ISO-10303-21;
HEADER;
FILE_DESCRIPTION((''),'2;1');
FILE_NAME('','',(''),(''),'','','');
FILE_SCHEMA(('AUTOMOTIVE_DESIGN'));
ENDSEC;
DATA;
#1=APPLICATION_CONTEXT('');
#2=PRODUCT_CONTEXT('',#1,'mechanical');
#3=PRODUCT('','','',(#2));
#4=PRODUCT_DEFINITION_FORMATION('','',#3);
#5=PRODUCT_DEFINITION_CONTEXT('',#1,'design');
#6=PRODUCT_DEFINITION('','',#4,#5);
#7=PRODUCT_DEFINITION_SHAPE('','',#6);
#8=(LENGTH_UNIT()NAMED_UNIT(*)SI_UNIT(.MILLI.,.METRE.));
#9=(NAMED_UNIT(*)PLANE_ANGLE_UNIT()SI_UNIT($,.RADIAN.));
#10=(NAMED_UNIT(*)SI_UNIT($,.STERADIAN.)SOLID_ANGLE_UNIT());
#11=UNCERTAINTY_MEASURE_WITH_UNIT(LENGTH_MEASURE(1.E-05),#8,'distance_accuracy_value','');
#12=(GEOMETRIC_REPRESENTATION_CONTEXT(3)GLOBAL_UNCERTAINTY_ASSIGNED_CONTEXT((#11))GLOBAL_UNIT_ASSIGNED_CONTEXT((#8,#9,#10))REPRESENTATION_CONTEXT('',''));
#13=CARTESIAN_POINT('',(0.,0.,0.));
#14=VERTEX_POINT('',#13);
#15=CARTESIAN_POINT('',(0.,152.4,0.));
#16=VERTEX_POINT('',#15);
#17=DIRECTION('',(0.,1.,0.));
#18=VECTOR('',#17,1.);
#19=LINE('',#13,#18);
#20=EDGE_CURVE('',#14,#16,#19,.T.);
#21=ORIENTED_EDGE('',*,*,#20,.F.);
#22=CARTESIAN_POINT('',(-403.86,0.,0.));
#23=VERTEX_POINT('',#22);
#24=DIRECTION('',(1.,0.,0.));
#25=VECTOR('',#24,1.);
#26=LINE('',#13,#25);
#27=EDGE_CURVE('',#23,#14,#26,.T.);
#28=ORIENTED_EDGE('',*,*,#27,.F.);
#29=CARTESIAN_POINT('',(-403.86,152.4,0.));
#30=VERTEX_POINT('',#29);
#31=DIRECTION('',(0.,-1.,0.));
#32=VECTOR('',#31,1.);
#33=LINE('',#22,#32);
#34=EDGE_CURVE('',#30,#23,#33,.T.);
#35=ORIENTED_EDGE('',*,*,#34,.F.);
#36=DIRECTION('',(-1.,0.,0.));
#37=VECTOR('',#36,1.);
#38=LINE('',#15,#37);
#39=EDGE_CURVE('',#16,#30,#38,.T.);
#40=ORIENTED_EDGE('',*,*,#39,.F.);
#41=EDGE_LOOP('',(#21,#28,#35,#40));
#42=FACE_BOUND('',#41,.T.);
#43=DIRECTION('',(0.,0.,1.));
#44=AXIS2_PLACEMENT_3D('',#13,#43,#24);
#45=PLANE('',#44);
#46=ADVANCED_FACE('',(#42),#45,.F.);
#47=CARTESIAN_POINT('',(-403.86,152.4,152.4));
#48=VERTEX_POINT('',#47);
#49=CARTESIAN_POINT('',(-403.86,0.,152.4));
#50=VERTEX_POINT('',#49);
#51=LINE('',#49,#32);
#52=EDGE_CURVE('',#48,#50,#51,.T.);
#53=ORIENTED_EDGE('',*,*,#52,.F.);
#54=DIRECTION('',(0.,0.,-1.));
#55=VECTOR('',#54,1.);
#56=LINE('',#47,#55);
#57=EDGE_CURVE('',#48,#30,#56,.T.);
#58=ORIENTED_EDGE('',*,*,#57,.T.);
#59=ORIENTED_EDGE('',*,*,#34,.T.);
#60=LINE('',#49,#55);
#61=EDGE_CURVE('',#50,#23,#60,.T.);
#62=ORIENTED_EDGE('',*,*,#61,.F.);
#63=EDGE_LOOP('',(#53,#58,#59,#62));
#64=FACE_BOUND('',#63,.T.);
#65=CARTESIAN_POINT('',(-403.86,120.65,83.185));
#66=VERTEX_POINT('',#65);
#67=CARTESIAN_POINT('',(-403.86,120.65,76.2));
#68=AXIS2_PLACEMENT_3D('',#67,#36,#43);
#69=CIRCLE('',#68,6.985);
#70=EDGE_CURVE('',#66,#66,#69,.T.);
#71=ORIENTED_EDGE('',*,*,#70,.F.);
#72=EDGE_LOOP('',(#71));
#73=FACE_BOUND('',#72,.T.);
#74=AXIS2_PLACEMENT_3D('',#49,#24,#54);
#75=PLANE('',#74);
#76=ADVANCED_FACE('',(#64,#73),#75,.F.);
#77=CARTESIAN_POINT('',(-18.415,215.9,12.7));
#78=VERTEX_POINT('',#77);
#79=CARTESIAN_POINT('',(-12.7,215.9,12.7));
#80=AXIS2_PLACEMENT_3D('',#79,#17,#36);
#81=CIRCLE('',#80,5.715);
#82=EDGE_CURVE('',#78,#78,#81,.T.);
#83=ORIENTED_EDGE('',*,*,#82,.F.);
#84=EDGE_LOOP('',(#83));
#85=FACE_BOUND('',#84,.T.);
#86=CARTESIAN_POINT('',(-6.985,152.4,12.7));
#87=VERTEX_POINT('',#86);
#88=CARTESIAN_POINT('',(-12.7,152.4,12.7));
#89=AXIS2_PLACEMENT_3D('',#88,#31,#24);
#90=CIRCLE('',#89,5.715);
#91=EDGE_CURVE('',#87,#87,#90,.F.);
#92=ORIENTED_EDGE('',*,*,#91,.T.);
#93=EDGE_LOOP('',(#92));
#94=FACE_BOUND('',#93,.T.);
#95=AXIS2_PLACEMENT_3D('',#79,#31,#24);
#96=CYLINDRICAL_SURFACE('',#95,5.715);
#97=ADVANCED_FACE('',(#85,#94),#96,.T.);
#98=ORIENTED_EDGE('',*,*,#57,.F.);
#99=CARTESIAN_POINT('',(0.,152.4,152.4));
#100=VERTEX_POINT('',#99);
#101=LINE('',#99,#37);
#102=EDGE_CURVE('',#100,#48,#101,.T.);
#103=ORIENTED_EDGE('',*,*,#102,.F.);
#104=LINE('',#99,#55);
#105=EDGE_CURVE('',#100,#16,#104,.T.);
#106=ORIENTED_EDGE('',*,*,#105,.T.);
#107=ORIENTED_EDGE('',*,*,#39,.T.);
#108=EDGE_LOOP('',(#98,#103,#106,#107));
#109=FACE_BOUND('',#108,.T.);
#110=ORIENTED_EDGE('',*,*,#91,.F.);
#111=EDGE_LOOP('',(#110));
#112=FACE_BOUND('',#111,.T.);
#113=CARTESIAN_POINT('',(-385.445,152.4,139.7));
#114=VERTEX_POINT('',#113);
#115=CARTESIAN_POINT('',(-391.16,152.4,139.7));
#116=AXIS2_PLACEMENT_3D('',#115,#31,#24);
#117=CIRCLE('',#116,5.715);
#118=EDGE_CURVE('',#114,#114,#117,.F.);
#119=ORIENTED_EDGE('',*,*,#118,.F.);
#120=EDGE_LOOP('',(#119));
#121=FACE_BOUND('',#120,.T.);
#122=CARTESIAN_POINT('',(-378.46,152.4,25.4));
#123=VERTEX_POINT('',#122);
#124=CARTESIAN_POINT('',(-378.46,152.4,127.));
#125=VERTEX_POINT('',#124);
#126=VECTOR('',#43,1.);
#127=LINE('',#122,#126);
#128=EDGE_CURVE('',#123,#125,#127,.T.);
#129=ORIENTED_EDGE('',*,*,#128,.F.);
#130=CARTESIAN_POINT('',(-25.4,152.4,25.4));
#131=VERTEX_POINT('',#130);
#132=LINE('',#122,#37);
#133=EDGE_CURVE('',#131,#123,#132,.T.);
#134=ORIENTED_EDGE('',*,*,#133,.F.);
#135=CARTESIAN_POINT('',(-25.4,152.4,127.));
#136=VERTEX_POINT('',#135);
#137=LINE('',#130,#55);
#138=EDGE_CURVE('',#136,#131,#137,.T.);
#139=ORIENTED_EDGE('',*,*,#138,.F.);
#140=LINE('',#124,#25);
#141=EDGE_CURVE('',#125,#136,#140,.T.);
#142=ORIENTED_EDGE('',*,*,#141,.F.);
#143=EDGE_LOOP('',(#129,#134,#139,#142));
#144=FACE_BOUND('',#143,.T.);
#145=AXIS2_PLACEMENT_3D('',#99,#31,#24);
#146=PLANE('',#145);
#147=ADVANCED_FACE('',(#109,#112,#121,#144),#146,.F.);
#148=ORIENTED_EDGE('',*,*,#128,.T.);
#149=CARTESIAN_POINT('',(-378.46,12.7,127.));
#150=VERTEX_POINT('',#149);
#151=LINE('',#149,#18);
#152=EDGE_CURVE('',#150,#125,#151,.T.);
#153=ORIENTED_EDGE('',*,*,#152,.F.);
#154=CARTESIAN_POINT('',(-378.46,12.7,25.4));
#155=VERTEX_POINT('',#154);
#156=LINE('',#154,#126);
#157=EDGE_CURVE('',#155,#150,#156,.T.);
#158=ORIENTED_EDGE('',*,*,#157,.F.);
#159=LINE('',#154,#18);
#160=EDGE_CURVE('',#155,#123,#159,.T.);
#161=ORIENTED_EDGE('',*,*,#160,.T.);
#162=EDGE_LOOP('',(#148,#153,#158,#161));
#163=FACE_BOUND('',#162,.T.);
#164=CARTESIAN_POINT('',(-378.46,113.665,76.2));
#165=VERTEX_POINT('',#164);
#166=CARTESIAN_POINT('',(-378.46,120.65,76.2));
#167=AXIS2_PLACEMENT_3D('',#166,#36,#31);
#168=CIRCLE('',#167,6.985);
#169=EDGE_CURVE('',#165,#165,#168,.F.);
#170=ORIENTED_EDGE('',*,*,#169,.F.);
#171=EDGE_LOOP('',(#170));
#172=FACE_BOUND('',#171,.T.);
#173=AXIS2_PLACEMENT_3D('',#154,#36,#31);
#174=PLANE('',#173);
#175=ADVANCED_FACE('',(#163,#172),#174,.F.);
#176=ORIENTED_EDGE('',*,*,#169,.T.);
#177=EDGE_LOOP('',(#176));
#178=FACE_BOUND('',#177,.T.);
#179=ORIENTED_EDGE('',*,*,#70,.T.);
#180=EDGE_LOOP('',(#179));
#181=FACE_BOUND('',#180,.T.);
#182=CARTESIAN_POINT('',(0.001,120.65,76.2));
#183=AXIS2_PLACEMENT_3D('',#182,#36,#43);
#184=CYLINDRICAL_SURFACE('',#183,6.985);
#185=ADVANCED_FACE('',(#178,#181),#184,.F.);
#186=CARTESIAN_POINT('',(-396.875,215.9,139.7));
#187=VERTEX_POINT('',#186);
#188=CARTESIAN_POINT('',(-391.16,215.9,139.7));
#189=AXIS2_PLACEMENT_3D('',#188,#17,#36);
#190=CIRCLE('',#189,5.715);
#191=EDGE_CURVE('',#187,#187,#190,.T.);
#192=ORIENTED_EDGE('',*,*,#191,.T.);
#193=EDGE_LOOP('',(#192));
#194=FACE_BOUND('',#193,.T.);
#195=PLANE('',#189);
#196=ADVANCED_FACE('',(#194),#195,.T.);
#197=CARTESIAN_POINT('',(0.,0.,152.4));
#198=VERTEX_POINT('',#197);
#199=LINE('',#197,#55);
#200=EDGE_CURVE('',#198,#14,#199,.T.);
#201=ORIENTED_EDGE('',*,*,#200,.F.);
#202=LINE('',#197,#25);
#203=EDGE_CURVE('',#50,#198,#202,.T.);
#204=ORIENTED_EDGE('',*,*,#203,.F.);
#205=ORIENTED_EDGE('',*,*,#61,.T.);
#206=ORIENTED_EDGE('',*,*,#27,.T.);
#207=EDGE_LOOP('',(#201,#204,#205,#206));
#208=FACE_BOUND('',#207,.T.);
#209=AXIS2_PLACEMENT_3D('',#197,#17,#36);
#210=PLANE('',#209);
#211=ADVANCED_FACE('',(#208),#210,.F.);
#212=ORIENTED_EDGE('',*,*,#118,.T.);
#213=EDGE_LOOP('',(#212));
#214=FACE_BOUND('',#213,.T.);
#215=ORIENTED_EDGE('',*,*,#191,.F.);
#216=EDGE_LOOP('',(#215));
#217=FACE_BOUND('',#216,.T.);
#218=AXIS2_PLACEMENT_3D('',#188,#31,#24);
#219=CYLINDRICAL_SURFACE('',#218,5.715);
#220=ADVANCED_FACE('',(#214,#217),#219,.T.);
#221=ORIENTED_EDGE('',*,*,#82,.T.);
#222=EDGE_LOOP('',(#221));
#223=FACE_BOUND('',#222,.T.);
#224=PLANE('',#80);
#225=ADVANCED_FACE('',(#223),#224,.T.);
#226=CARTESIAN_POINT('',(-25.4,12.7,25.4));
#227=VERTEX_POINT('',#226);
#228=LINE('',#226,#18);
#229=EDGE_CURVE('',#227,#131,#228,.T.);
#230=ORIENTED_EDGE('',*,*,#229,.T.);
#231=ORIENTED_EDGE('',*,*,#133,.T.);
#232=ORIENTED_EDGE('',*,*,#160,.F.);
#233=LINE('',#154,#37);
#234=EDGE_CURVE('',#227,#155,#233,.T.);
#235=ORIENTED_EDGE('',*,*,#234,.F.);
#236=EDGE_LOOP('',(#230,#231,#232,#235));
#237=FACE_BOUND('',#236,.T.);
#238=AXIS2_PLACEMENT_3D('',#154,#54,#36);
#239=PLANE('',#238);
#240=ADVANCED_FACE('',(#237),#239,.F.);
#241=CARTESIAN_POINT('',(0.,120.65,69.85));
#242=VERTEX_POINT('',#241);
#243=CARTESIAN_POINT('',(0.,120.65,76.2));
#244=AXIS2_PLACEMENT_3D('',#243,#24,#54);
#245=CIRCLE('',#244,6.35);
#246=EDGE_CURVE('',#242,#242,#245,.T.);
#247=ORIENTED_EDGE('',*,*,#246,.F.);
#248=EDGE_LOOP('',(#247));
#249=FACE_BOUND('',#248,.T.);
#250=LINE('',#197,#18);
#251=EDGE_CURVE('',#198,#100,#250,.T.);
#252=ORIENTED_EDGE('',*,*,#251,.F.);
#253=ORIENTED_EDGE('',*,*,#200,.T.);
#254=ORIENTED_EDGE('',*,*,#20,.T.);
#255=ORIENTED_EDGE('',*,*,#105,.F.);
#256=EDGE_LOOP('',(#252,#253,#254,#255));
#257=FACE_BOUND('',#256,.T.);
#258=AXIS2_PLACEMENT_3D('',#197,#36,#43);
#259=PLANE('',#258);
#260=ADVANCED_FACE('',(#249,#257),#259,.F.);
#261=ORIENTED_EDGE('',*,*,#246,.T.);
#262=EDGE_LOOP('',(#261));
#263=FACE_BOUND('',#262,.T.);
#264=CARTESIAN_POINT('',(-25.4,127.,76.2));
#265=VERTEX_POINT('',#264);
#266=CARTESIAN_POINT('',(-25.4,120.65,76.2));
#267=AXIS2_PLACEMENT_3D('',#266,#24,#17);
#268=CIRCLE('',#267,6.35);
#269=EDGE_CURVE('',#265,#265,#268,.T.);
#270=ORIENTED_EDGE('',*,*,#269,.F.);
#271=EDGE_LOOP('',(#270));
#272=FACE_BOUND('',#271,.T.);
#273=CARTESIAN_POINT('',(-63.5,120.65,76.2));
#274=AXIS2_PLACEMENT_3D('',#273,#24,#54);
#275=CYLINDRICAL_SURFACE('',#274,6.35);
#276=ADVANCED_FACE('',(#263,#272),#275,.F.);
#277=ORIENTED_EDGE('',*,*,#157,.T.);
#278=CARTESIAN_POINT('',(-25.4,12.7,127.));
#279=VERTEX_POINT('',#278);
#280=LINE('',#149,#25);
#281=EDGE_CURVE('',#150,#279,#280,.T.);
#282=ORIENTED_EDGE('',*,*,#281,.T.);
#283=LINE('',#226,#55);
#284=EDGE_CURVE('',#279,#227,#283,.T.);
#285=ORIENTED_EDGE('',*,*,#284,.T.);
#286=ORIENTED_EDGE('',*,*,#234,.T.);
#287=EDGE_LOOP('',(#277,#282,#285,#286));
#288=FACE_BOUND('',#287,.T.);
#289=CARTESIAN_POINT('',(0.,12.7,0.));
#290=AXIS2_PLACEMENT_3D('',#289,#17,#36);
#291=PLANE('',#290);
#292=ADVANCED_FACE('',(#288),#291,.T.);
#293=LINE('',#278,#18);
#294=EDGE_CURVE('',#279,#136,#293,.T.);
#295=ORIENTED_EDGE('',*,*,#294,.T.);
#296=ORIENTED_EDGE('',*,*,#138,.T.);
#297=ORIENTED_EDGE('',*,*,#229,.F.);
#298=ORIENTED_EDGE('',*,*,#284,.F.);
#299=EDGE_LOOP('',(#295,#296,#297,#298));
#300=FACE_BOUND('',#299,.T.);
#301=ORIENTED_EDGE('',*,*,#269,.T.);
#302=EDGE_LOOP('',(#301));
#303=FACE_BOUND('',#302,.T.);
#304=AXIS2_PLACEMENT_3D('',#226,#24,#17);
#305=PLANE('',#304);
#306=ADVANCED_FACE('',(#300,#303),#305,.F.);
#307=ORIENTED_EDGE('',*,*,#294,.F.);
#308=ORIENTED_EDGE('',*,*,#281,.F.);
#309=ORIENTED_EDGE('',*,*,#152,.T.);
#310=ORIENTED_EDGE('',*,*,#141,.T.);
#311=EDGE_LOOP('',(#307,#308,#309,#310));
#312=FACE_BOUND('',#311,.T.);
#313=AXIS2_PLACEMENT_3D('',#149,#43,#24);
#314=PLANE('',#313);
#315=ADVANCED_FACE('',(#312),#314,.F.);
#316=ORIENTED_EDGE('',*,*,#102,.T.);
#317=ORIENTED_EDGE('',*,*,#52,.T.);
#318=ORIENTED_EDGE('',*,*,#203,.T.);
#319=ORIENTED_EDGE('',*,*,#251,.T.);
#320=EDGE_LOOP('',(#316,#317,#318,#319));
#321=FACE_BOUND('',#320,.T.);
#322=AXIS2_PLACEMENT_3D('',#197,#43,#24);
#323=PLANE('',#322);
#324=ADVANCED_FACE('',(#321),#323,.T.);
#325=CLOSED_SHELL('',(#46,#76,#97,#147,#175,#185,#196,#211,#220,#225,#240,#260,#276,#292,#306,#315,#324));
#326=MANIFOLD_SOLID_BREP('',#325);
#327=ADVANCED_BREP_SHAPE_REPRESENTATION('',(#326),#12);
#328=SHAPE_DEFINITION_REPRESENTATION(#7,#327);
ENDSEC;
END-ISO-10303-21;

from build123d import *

# Parameters (mm, degrees)
SKETCH1_W           = 403.86
SKETCH1_H           = 152.4
BOSS_EXTRUDE1_DEPTH = 152.4
SKETCH3_W           = 353.06
SKETCH3_H           = 101.6
CUT_EXTRUDE1_DEPTH  = 139.7
SKETCH4_R           = 5.715
BOSS_EXTRUDE2_DEPTH = 63.5
SKETCH5_R           = 6.35
CUT_EXTRUDE2_DEPTH  = 63.5
CUT_EXTRUDE3_REACH  = 405.86
SKETCH6_R           = 6.985
SKETCH7_R           = 5.715
BOSS_EXTRUDE3_DEPTH = 63.5


with BuildPart() as part:
    # Sketch1 → Boss-Extrude1 (new body)
    with BuildSketch(Plane.XY):
        with Locations((-201.93, 76.2)):
            Rectangle(SKETCH1_W, SKETCH1_H)
    extrude(amount=BOSS_EXTRUDE1_DEPTH)

    # Sketch3 → Cut-Extrude1 (cut)
    with BuildSketch(Plane(origin=(0, 152.4, 0), x_dir=(1, 0, 0), z_dir=(0, 1, 0))):
        with Locations((-201.93, -76.2)):
            Rectangle(SKETCH3_W, SKETCH3_H)
    extrude(amount=-CUT_EXTRUDE1_DEPTH, mode=Mode.SUBTRACT)

    # Sketch4 → Boss-Extrude2 (add)
    with BuildSketch(Plane(origin=(0, 152.4, 0), x_dir=(1, 0, 0), z_dir=(0, 1, 0))):
        with Locations((-391.16, -139.7)):
            Circle(SKETCH4_R)
    extrude(amount=BOSS_EXTRUDE2_DEPTH)

    # Sketch5 → Cut-Extrude2 (cut)
    with BuildSketch(Plane(origin=(0, 0, 0), x_dir=(0, 0, -1), z_dir=(1, 0, 0))):
        with Locations((-76.2, 120.65)):
            Circle(SKETCH5_R)
    extrude(amount=-CUT_EXTRUDE2_DEPTH, mode=Mode.SUBTRACT)

    # Sketch6 → Cut-Extrude3 (cut, up to next)
    with BuildSketch(Plane.ZY.offset(403.86), mode=Mode.PRIVATE) as cut_extrude3_sk1:
        with Locations((76.2, 120.65)):
            Circle(SKETCH6_R)
    cut_extrude3_tool1 = extrude(cut_extrude3_sk1.sketch, amount=-CUT_EXTRUDE3_REACH, mode=Mode.PRIVATE) & part.part
    add(cut_extrude3_tool1.solids().sort_by_distance((-403.86, 120.65, 76.2))[0], mode=Mode.SUBTRACT)

    # Sketch7 → Boss-Extrude3 (add)
    with BuildSketch(Plane(origin=(0, 152.4, 0), x_dir=(1, 0, 0), z_dir=(0, 1, 0))):
        with Locations((-12.7, -12.7)):
            Circle(SKETCH7_R)
    extrude(amount=BOSS_EXTRUDE3_DEPTH)


solid = part.part
